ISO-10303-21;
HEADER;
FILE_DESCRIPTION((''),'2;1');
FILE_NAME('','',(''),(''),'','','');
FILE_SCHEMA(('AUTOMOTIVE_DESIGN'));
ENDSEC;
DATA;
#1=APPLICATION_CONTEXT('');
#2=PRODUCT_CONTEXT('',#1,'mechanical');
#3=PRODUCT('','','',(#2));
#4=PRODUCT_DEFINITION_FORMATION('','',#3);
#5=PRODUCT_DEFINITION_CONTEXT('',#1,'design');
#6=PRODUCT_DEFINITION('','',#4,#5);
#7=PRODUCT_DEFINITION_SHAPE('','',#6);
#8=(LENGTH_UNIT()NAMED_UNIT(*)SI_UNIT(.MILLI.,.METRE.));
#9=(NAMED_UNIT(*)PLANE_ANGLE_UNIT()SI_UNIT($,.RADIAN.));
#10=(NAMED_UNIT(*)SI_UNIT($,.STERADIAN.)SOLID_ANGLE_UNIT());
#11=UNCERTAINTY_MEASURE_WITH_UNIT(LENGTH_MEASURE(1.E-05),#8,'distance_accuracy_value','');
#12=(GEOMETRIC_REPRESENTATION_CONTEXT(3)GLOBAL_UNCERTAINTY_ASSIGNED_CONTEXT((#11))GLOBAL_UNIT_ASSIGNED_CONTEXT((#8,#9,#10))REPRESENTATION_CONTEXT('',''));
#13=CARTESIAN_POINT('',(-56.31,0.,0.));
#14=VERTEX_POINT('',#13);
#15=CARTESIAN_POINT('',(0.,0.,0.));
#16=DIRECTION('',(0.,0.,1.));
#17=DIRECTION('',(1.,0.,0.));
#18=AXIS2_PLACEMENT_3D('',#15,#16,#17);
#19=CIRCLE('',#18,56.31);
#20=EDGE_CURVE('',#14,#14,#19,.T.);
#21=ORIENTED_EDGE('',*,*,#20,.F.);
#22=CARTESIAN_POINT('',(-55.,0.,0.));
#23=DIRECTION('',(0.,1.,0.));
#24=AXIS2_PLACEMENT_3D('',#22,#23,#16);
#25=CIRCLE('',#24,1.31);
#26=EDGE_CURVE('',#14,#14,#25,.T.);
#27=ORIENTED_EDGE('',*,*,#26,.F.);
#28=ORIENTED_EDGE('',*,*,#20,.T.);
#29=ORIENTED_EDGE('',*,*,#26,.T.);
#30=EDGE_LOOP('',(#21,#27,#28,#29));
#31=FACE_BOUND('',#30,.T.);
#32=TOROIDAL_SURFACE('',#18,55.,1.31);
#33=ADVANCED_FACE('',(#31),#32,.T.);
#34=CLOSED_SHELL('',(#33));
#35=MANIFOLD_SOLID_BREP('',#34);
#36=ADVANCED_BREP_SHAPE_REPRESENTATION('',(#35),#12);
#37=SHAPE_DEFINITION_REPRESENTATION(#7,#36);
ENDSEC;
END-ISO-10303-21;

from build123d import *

# Parameters (mm, degrees)
SKETCH2_R = 1.31


with BuildPart() as part:
    # Sweep1: sweep along a path in Sketch1
    with BuildLine(Plane.XY) as sweep1_path:
        CenterArc((0, 0), 55, 0, 360)
    # Sketch2 → Sweep1 (sweep)
    with BuildSketch(Plane(origin=(0, 0, 0), x_dir=(1, 0, 0), z_dir=(0, 1, 0))):
        with Locations((-55, 0)):
            Circle(SKETCH2_R)
    sweep(path=sweep1_path.line)


solid = part.part
